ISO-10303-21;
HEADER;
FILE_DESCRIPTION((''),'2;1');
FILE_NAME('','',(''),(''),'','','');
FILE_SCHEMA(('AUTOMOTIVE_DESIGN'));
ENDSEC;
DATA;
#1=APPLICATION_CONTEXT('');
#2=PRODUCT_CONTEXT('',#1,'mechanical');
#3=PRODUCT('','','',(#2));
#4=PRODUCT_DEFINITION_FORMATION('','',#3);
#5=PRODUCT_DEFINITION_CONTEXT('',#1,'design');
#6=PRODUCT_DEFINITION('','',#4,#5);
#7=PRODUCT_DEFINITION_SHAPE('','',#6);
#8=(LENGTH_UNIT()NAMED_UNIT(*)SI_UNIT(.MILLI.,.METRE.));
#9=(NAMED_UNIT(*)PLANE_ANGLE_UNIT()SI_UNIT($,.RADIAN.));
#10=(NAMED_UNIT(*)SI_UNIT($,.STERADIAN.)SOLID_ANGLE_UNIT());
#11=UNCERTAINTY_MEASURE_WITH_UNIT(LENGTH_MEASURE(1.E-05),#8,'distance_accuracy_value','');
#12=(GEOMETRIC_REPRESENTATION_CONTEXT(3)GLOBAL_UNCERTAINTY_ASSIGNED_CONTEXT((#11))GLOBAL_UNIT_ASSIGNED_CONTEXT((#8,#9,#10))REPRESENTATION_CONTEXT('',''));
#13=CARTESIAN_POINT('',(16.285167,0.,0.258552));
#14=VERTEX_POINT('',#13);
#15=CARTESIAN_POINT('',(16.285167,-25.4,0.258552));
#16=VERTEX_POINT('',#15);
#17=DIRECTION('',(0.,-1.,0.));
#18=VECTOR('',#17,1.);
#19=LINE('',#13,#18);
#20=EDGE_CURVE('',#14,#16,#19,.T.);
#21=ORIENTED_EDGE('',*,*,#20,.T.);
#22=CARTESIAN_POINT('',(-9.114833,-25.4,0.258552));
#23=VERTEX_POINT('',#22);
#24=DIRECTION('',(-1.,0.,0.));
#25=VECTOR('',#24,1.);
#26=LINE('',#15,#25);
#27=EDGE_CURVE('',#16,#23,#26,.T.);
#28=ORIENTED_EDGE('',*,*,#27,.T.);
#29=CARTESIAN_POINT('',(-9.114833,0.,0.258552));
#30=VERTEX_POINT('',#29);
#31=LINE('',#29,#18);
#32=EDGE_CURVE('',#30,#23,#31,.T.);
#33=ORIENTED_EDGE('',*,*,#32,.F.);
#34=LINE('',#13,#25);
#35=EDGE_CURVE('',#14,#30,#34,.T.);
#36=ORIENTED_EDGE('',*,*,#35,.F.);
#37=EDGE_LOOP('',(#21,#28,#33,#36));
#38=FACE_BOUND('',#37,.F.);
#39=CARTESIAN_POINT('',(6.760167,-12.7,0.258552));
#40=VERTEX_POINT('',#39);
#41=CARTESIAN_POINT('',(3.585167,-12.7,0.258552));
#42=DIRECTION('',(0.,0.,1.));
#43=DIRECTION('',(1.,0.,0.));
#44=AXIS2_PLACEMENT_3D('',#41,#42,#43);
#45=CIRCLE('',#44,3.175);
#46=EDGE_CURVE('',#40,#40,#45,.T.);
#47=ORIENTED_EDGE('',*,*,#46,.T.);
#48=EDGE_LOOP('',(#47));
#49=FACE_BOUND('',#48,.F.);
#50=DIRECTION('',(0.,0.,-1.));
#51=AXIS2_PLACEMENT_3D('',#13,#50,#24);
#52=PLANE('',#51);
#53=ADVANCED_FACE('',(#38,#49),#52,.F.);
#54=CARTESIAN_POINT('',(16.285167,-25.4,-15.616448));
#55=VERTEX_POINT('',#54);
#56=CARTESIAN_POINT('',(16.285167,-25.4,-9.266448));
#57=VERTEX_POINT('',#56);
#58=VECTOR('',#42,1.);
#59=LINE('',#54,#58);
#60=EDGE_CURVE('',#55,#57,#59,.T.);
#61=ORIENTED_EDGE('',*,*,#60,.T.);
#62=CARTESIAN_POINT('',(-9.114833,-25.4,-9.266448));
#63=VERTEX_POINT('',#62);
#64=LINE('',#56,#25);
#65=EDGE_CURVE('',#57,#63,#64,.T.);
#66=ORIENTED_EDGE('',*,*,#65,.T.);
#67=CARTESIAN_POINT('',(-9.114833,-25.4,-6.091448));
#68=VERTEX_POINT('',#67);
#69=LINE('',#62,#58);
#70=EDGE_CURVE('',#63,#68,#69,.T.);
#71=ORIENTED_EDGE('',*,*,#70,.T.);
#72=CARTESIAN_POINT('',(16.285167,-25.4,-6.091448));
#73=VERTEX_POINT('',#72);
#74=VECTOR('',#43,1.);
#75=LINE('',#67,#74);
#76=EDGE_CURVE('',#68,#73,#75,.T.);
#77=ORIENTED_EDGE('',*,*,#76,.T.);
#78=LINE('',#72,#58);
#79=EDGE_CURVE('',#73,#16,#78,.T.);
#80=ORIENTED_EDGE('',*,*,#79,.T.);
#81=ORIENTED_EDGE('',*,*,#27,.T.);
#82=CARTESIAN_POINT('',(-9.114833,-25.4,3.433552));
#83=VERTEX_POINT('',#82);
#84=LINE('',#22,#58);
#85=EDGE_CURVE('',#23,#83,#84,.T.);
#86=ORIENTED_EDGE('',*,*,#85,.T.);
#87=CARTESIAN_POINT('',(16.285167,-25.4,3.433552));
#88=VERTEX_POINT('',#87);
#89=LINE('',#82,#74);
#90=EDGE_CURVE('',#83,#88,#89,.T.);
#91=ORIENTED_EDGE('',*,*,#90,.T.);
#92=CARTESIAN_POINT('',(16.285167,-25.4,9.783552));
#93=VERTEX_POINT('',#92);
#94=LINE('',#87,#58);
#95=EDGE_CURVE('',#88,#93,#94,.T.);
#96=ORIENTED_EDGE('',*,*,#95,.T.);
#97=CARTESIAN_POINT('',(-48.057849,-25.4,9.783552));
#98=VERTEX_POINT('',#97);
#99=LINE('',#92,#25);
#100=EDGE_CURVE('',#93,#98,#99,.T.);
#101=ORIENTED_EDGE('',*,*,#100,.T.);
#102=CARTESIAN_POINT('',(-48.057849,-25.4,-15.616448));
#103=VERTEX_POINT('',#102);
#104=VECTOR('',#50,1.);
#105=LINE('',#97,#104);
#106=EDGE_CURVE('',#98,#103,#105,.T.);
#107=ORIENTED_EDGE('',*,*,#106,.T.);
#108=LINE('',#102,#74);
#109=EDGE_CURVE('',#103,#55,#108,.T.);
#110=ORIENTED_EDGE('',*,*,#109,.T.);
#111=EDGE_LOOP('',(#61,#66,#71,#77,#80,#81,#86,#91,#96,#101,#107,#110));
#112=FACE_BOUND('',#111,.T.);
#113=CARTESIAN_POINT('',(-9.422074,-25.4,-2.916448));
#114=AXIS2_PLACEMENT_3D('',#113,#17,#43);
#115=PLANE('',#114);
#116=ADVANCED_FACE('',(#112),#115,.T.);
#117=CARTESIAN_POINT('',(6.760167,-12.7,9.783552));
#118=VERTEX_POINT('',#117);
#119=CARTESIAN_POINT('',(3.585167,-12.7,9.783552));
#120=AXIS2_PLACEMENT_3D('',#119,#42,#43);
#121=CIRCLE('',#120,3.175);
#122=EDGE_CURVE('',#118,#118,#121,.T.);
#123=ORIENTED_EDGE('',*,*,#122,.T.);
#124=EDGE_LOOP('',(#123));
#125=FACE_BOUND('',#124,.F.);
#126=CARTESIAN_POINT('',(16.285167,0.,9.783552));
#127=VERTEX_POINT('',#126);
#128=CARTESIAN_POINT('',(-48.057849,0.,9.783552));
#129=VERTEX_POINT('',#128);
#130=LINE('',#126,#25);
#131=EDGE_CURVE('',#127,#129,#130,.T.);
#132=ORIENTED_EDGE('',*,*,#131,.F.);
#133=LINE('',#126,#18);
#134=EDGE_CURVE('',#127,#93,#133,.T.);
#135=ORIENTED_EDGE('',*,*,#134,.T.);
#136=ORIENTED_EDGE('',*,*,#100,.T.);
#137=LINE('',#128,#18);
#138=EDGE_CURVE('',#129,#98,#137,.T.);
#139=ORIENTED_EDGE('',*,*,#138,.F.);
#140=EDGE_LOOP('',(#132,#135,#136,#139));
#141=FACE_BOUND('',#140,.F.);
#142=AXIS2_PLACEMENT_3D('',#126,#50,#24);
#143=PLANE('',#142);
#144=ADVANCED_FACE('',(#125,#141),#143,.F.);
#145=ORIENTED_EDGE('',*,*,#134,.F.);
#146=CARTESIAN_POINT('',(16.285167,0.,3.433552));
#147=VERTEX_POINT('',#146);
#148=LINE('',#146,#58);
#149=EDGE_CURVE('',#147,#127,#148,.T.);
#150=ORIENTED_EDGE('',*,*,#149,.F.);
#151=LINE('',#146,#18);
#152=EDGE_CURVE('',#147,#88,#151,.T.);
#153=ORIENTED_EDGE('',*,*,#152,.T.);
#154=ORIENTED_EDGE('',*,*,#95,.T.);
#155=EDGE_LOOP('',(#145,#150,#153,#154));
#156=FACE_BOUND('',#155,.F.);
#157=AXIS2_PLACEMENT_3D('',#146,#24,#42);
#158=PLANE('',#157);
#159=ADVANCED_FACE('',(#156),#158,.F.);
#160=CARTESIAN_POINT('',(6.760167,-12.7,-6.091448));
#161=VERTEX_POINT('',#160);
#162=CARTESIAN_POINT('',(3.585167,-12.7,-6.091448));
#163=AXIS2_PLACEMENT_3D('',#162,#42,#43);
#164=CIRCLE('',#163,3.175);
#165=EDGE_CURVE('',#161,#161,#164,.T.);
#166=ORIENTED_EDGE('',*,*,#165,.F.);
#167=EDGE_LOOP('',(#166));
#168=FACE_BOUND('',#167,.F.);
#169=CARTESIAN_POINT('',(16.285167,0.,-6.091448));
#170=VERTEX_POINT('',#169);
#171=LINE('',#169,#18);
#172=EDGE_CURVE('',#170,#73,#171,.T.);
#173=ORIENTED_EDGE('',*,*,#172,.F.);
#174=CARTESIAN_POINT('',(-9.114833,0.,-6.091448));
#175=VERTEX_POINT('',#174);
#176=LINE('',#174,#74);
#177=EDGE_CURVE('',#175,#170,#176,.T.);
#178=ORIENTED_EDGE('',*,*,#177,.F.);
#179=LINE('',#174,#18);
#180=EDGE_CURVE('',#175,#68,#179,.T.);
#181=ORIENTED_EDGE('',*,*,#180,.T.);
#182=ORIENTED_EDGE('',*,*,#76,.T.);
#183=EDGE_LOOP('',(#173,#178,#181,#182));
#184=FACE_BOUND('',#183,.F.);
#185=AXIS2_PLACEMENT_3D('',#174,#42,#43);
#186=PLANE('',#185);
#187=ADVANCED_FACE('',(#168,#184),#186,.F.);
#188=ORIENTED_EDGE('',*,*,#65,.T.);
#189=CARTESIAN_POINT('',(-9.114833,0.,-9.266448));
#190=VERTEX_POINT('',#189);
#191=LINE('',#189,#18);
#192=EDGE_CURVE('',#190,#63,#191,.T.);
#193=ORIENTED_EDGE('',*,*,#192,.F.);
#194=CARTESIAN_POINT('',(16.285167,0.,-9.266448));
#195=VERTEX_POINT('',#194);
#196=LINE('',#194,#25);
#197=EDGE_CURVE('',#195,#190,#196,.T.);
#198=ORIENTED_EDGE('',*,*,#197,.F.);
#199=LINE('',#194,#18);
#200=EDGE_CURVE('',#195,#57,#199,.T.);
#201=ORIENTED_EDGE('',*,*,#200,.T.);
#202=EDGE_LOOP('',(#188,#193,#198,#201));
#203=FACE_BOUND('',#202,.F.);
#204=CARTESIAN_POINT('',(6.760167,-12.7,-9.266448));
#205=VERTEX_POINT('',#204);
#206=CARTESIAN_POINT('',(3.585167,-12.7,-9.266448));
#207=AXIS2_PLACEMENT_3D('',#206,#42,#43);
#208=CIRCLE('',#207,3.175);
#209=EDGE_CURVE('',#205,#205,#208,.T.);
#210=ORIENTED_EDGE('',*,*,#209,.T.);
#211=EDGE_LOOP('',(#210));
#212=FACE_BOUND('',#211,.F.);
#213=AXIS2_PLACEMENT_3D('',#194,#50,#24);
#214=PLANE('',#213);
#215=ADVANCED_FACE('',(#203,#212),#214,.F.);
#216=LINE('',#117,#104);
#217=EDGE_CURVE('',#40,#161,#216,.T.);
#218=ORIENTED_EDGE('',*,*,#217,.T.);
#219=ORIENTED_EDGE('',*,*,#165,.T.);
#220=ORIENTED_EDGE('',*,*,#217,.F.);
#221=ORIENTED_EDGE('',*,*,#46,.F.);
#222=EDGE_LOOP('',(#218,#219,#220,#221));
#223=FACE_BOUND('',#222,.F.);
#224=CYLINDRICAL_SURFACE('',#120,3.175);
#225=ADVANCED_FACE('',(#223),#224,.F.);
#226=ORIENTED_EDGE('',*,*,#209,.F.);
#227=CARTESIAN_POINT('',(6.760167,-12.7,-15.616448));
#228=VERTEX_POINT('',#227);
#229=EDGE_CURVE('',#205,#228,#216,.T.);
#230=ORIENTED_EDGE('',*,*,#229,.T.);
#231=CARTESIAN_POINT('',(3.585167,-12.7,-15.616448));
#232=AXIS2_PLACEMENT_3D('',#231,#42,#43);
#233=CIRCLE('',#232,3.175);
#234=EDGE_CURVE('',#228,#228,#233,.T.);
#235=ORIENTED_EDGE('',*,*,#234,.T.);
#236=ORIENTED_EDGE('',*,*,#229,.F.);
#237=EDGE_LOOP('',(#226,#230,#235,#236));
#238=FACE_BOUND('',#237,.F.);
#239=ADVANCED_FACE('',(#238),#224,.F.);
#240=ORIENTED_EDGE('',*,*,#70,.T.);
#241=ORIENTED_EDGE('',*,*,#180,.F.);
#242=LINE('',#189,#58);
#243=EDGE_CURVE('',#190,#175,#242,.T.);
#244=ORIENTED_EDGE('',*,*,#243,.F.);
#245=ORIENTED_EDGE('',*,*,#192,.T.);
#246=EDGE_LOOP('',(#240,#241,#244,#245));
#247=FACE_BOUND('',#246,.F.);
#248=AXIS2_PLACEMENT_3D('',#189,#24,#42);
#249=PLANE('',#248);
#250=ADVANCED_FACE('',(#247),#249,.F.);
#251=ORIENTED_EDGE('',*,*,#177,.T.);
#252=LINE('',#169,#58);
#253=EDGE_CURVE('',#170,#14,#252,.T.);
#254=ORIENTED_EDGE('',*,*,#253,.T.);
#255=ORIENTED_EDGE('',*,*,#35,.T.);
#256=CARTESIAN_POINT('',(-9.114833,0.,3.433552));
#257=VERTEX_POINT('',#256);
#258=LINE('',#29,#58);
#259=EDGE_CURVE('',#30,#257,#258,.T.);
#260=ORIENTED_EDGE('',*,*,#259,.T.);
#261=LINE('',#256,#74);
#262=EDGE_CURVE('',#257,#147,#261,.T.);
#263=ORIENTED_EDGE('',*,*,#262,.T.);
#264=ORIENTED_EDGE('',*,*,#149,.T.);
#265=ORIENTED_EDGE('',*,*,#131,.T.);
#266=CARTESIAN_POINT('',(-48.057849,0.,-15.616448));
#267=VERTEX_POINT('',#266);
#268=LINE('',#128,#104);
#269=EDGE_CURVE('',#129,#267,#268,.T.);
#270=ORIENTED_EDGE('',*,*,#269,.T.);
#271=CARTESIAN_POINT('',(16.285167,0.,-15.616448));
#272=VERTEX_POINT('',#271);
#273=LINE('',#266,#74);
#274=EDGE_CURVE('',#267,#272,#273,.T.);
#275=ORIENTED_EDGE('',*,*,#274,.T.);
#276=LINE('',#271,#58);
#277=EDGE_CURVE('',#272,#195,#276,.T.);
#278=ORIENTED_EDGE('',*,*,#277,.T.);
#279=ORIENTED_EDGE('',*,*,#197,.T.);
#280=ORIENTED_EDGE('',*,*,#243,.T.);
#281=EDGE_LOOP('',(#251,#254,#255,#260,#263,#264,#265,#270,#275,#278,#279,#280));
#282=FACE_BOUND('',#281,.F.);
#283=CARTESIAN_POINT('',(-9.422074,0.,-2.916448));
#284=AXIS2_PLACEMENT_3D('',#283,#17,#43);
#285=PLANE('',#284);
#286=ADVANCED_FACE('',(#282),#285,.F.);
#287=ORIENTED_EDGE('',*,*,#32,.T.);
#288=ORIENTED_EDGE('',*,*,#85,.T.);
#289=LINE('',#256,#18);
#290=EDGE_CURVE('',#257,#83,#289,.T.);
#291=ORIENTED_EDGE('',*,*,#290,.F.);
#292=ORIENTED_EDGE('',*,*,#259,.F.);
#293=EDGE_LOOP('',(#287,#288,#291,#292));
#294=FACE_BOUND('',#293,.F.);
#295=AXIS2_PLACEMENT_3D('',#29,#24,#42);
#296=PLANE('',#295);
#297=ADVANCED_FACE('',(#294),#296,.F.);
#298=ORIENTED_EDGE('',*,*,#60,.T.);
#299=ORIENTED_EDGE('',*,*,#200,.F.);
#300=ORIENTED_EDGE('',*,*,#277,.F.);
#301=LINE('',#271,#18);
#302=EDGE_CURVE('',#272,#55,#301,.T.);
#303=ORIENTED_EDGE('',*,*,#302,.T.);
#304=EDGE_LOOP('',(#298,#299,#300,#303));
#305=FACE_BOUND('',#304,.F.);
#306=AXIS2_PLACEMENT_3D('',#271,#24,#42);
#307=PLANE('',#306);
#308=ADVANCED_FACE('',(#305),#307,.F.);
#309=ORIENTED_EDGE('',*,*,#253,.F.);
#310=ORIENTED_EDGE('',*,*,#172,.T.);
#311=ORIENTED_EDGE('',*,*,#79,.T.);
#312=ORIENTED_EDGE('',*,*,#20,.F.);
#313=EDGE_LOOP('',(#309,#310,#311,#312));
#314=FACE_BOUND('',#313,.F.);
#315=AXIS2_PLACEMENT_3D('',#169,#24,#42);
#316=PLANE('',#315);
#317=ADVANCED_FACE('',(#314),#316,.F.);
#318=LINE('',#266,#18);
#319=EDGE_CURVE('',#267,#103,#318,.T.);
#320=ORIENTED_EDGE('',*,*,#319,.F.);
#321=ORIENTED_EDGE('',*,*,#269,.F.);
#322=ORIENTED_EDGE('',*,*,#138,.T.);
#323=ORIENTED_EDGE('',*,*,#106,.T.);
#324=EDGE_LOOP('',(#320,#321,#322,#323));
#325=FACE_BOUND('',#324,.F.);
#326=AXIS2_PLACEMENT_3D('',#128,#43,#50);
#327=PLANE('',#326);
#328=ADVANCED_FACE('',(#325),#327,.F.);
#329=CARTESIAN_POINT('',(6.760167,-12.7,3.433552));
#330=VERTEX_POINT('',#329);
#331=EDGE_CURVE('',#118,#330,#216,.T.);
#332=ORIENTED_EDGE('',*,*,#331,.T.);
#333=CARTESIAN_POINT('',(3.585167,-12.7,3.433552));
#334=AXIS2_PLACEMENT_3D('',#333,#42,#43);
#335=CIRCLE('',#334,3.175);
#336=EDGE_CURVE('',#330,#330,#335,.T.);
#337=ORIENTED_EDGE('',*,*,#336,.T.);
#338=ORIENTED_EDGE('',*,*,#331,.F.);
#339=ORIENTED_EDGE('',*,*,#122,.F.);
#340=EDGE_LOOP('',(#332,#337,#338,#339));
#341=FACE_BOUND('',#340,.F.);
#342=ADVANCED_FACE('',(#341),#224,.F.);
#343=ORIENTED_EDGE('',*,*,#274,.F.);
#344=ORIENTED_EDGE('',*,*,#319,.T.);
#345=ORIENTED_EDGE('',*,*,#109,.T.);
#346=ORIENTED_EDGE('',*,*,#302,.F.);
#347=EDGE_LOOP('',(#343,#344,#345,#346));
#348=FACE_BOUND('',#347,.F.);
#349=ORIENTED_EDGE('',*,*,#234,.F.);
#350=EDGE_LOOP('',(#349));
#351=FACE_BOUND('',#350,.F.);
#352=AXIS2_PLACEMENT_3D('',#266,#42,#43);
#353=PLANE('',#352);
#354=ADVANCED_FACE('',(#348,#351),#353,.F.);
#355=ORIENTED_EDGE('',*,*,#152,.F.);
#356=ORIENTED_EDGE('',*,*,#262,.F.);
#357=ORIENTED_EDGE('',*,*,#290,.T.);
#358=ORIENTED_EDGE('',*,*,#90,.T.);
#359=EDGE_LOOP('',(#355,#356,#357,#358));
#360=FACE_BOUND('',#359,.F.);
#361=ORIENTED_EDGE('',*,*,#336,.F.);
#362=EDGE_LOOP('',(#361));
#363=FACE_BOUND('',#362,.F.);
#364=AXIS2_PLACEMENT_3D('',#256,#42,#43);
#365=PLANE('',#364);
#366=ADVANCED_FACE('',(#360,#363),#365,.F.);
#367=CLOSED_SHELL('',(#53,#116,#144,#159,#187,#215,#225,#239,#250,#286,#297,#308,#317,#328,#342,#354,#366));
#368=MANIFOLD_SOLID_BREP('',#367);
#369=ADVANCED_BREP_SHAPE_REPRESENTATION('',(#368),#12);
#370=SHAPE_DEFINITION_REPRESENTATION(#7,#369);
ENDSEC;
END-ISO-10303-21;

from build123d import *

# Parameters (mm, degrees)
F1_DEPTH = 25.4
F2_R     = 3.175
F3_DEPTH = 38.102478


with BuildPart() as f1:
    # F0 (on Front) → F1 (new body)
    with BuildSketch(Plane.XZ):
        Polygon((16.285167, 9.783552), (-48.057849, 9.783552), (-48.057849, -15.616448), (16.285167, -15.616448), (16.285167, -9.266448), (-9.114833, -9.266448), (-9.114833, -6.091448), (16.285167, -6.091448), (16.285167, 0.258552), (-9.114833, 0.258552), (-9.114833, 3.433552), (16.285167, 3.433552), align=None)
    extrude(amount=F1_DEPTH)

    # F2 (on face) → F3 (cut)
    with BuildSketch(Plane.XY.offset(9.783552)):
        with Locations((3.585167, -12.7)):
            Circle(F2_R)
    extrude(amount=-F3_DEPTH, mode=Mode.SUBTRACT)


solid = f1.part
